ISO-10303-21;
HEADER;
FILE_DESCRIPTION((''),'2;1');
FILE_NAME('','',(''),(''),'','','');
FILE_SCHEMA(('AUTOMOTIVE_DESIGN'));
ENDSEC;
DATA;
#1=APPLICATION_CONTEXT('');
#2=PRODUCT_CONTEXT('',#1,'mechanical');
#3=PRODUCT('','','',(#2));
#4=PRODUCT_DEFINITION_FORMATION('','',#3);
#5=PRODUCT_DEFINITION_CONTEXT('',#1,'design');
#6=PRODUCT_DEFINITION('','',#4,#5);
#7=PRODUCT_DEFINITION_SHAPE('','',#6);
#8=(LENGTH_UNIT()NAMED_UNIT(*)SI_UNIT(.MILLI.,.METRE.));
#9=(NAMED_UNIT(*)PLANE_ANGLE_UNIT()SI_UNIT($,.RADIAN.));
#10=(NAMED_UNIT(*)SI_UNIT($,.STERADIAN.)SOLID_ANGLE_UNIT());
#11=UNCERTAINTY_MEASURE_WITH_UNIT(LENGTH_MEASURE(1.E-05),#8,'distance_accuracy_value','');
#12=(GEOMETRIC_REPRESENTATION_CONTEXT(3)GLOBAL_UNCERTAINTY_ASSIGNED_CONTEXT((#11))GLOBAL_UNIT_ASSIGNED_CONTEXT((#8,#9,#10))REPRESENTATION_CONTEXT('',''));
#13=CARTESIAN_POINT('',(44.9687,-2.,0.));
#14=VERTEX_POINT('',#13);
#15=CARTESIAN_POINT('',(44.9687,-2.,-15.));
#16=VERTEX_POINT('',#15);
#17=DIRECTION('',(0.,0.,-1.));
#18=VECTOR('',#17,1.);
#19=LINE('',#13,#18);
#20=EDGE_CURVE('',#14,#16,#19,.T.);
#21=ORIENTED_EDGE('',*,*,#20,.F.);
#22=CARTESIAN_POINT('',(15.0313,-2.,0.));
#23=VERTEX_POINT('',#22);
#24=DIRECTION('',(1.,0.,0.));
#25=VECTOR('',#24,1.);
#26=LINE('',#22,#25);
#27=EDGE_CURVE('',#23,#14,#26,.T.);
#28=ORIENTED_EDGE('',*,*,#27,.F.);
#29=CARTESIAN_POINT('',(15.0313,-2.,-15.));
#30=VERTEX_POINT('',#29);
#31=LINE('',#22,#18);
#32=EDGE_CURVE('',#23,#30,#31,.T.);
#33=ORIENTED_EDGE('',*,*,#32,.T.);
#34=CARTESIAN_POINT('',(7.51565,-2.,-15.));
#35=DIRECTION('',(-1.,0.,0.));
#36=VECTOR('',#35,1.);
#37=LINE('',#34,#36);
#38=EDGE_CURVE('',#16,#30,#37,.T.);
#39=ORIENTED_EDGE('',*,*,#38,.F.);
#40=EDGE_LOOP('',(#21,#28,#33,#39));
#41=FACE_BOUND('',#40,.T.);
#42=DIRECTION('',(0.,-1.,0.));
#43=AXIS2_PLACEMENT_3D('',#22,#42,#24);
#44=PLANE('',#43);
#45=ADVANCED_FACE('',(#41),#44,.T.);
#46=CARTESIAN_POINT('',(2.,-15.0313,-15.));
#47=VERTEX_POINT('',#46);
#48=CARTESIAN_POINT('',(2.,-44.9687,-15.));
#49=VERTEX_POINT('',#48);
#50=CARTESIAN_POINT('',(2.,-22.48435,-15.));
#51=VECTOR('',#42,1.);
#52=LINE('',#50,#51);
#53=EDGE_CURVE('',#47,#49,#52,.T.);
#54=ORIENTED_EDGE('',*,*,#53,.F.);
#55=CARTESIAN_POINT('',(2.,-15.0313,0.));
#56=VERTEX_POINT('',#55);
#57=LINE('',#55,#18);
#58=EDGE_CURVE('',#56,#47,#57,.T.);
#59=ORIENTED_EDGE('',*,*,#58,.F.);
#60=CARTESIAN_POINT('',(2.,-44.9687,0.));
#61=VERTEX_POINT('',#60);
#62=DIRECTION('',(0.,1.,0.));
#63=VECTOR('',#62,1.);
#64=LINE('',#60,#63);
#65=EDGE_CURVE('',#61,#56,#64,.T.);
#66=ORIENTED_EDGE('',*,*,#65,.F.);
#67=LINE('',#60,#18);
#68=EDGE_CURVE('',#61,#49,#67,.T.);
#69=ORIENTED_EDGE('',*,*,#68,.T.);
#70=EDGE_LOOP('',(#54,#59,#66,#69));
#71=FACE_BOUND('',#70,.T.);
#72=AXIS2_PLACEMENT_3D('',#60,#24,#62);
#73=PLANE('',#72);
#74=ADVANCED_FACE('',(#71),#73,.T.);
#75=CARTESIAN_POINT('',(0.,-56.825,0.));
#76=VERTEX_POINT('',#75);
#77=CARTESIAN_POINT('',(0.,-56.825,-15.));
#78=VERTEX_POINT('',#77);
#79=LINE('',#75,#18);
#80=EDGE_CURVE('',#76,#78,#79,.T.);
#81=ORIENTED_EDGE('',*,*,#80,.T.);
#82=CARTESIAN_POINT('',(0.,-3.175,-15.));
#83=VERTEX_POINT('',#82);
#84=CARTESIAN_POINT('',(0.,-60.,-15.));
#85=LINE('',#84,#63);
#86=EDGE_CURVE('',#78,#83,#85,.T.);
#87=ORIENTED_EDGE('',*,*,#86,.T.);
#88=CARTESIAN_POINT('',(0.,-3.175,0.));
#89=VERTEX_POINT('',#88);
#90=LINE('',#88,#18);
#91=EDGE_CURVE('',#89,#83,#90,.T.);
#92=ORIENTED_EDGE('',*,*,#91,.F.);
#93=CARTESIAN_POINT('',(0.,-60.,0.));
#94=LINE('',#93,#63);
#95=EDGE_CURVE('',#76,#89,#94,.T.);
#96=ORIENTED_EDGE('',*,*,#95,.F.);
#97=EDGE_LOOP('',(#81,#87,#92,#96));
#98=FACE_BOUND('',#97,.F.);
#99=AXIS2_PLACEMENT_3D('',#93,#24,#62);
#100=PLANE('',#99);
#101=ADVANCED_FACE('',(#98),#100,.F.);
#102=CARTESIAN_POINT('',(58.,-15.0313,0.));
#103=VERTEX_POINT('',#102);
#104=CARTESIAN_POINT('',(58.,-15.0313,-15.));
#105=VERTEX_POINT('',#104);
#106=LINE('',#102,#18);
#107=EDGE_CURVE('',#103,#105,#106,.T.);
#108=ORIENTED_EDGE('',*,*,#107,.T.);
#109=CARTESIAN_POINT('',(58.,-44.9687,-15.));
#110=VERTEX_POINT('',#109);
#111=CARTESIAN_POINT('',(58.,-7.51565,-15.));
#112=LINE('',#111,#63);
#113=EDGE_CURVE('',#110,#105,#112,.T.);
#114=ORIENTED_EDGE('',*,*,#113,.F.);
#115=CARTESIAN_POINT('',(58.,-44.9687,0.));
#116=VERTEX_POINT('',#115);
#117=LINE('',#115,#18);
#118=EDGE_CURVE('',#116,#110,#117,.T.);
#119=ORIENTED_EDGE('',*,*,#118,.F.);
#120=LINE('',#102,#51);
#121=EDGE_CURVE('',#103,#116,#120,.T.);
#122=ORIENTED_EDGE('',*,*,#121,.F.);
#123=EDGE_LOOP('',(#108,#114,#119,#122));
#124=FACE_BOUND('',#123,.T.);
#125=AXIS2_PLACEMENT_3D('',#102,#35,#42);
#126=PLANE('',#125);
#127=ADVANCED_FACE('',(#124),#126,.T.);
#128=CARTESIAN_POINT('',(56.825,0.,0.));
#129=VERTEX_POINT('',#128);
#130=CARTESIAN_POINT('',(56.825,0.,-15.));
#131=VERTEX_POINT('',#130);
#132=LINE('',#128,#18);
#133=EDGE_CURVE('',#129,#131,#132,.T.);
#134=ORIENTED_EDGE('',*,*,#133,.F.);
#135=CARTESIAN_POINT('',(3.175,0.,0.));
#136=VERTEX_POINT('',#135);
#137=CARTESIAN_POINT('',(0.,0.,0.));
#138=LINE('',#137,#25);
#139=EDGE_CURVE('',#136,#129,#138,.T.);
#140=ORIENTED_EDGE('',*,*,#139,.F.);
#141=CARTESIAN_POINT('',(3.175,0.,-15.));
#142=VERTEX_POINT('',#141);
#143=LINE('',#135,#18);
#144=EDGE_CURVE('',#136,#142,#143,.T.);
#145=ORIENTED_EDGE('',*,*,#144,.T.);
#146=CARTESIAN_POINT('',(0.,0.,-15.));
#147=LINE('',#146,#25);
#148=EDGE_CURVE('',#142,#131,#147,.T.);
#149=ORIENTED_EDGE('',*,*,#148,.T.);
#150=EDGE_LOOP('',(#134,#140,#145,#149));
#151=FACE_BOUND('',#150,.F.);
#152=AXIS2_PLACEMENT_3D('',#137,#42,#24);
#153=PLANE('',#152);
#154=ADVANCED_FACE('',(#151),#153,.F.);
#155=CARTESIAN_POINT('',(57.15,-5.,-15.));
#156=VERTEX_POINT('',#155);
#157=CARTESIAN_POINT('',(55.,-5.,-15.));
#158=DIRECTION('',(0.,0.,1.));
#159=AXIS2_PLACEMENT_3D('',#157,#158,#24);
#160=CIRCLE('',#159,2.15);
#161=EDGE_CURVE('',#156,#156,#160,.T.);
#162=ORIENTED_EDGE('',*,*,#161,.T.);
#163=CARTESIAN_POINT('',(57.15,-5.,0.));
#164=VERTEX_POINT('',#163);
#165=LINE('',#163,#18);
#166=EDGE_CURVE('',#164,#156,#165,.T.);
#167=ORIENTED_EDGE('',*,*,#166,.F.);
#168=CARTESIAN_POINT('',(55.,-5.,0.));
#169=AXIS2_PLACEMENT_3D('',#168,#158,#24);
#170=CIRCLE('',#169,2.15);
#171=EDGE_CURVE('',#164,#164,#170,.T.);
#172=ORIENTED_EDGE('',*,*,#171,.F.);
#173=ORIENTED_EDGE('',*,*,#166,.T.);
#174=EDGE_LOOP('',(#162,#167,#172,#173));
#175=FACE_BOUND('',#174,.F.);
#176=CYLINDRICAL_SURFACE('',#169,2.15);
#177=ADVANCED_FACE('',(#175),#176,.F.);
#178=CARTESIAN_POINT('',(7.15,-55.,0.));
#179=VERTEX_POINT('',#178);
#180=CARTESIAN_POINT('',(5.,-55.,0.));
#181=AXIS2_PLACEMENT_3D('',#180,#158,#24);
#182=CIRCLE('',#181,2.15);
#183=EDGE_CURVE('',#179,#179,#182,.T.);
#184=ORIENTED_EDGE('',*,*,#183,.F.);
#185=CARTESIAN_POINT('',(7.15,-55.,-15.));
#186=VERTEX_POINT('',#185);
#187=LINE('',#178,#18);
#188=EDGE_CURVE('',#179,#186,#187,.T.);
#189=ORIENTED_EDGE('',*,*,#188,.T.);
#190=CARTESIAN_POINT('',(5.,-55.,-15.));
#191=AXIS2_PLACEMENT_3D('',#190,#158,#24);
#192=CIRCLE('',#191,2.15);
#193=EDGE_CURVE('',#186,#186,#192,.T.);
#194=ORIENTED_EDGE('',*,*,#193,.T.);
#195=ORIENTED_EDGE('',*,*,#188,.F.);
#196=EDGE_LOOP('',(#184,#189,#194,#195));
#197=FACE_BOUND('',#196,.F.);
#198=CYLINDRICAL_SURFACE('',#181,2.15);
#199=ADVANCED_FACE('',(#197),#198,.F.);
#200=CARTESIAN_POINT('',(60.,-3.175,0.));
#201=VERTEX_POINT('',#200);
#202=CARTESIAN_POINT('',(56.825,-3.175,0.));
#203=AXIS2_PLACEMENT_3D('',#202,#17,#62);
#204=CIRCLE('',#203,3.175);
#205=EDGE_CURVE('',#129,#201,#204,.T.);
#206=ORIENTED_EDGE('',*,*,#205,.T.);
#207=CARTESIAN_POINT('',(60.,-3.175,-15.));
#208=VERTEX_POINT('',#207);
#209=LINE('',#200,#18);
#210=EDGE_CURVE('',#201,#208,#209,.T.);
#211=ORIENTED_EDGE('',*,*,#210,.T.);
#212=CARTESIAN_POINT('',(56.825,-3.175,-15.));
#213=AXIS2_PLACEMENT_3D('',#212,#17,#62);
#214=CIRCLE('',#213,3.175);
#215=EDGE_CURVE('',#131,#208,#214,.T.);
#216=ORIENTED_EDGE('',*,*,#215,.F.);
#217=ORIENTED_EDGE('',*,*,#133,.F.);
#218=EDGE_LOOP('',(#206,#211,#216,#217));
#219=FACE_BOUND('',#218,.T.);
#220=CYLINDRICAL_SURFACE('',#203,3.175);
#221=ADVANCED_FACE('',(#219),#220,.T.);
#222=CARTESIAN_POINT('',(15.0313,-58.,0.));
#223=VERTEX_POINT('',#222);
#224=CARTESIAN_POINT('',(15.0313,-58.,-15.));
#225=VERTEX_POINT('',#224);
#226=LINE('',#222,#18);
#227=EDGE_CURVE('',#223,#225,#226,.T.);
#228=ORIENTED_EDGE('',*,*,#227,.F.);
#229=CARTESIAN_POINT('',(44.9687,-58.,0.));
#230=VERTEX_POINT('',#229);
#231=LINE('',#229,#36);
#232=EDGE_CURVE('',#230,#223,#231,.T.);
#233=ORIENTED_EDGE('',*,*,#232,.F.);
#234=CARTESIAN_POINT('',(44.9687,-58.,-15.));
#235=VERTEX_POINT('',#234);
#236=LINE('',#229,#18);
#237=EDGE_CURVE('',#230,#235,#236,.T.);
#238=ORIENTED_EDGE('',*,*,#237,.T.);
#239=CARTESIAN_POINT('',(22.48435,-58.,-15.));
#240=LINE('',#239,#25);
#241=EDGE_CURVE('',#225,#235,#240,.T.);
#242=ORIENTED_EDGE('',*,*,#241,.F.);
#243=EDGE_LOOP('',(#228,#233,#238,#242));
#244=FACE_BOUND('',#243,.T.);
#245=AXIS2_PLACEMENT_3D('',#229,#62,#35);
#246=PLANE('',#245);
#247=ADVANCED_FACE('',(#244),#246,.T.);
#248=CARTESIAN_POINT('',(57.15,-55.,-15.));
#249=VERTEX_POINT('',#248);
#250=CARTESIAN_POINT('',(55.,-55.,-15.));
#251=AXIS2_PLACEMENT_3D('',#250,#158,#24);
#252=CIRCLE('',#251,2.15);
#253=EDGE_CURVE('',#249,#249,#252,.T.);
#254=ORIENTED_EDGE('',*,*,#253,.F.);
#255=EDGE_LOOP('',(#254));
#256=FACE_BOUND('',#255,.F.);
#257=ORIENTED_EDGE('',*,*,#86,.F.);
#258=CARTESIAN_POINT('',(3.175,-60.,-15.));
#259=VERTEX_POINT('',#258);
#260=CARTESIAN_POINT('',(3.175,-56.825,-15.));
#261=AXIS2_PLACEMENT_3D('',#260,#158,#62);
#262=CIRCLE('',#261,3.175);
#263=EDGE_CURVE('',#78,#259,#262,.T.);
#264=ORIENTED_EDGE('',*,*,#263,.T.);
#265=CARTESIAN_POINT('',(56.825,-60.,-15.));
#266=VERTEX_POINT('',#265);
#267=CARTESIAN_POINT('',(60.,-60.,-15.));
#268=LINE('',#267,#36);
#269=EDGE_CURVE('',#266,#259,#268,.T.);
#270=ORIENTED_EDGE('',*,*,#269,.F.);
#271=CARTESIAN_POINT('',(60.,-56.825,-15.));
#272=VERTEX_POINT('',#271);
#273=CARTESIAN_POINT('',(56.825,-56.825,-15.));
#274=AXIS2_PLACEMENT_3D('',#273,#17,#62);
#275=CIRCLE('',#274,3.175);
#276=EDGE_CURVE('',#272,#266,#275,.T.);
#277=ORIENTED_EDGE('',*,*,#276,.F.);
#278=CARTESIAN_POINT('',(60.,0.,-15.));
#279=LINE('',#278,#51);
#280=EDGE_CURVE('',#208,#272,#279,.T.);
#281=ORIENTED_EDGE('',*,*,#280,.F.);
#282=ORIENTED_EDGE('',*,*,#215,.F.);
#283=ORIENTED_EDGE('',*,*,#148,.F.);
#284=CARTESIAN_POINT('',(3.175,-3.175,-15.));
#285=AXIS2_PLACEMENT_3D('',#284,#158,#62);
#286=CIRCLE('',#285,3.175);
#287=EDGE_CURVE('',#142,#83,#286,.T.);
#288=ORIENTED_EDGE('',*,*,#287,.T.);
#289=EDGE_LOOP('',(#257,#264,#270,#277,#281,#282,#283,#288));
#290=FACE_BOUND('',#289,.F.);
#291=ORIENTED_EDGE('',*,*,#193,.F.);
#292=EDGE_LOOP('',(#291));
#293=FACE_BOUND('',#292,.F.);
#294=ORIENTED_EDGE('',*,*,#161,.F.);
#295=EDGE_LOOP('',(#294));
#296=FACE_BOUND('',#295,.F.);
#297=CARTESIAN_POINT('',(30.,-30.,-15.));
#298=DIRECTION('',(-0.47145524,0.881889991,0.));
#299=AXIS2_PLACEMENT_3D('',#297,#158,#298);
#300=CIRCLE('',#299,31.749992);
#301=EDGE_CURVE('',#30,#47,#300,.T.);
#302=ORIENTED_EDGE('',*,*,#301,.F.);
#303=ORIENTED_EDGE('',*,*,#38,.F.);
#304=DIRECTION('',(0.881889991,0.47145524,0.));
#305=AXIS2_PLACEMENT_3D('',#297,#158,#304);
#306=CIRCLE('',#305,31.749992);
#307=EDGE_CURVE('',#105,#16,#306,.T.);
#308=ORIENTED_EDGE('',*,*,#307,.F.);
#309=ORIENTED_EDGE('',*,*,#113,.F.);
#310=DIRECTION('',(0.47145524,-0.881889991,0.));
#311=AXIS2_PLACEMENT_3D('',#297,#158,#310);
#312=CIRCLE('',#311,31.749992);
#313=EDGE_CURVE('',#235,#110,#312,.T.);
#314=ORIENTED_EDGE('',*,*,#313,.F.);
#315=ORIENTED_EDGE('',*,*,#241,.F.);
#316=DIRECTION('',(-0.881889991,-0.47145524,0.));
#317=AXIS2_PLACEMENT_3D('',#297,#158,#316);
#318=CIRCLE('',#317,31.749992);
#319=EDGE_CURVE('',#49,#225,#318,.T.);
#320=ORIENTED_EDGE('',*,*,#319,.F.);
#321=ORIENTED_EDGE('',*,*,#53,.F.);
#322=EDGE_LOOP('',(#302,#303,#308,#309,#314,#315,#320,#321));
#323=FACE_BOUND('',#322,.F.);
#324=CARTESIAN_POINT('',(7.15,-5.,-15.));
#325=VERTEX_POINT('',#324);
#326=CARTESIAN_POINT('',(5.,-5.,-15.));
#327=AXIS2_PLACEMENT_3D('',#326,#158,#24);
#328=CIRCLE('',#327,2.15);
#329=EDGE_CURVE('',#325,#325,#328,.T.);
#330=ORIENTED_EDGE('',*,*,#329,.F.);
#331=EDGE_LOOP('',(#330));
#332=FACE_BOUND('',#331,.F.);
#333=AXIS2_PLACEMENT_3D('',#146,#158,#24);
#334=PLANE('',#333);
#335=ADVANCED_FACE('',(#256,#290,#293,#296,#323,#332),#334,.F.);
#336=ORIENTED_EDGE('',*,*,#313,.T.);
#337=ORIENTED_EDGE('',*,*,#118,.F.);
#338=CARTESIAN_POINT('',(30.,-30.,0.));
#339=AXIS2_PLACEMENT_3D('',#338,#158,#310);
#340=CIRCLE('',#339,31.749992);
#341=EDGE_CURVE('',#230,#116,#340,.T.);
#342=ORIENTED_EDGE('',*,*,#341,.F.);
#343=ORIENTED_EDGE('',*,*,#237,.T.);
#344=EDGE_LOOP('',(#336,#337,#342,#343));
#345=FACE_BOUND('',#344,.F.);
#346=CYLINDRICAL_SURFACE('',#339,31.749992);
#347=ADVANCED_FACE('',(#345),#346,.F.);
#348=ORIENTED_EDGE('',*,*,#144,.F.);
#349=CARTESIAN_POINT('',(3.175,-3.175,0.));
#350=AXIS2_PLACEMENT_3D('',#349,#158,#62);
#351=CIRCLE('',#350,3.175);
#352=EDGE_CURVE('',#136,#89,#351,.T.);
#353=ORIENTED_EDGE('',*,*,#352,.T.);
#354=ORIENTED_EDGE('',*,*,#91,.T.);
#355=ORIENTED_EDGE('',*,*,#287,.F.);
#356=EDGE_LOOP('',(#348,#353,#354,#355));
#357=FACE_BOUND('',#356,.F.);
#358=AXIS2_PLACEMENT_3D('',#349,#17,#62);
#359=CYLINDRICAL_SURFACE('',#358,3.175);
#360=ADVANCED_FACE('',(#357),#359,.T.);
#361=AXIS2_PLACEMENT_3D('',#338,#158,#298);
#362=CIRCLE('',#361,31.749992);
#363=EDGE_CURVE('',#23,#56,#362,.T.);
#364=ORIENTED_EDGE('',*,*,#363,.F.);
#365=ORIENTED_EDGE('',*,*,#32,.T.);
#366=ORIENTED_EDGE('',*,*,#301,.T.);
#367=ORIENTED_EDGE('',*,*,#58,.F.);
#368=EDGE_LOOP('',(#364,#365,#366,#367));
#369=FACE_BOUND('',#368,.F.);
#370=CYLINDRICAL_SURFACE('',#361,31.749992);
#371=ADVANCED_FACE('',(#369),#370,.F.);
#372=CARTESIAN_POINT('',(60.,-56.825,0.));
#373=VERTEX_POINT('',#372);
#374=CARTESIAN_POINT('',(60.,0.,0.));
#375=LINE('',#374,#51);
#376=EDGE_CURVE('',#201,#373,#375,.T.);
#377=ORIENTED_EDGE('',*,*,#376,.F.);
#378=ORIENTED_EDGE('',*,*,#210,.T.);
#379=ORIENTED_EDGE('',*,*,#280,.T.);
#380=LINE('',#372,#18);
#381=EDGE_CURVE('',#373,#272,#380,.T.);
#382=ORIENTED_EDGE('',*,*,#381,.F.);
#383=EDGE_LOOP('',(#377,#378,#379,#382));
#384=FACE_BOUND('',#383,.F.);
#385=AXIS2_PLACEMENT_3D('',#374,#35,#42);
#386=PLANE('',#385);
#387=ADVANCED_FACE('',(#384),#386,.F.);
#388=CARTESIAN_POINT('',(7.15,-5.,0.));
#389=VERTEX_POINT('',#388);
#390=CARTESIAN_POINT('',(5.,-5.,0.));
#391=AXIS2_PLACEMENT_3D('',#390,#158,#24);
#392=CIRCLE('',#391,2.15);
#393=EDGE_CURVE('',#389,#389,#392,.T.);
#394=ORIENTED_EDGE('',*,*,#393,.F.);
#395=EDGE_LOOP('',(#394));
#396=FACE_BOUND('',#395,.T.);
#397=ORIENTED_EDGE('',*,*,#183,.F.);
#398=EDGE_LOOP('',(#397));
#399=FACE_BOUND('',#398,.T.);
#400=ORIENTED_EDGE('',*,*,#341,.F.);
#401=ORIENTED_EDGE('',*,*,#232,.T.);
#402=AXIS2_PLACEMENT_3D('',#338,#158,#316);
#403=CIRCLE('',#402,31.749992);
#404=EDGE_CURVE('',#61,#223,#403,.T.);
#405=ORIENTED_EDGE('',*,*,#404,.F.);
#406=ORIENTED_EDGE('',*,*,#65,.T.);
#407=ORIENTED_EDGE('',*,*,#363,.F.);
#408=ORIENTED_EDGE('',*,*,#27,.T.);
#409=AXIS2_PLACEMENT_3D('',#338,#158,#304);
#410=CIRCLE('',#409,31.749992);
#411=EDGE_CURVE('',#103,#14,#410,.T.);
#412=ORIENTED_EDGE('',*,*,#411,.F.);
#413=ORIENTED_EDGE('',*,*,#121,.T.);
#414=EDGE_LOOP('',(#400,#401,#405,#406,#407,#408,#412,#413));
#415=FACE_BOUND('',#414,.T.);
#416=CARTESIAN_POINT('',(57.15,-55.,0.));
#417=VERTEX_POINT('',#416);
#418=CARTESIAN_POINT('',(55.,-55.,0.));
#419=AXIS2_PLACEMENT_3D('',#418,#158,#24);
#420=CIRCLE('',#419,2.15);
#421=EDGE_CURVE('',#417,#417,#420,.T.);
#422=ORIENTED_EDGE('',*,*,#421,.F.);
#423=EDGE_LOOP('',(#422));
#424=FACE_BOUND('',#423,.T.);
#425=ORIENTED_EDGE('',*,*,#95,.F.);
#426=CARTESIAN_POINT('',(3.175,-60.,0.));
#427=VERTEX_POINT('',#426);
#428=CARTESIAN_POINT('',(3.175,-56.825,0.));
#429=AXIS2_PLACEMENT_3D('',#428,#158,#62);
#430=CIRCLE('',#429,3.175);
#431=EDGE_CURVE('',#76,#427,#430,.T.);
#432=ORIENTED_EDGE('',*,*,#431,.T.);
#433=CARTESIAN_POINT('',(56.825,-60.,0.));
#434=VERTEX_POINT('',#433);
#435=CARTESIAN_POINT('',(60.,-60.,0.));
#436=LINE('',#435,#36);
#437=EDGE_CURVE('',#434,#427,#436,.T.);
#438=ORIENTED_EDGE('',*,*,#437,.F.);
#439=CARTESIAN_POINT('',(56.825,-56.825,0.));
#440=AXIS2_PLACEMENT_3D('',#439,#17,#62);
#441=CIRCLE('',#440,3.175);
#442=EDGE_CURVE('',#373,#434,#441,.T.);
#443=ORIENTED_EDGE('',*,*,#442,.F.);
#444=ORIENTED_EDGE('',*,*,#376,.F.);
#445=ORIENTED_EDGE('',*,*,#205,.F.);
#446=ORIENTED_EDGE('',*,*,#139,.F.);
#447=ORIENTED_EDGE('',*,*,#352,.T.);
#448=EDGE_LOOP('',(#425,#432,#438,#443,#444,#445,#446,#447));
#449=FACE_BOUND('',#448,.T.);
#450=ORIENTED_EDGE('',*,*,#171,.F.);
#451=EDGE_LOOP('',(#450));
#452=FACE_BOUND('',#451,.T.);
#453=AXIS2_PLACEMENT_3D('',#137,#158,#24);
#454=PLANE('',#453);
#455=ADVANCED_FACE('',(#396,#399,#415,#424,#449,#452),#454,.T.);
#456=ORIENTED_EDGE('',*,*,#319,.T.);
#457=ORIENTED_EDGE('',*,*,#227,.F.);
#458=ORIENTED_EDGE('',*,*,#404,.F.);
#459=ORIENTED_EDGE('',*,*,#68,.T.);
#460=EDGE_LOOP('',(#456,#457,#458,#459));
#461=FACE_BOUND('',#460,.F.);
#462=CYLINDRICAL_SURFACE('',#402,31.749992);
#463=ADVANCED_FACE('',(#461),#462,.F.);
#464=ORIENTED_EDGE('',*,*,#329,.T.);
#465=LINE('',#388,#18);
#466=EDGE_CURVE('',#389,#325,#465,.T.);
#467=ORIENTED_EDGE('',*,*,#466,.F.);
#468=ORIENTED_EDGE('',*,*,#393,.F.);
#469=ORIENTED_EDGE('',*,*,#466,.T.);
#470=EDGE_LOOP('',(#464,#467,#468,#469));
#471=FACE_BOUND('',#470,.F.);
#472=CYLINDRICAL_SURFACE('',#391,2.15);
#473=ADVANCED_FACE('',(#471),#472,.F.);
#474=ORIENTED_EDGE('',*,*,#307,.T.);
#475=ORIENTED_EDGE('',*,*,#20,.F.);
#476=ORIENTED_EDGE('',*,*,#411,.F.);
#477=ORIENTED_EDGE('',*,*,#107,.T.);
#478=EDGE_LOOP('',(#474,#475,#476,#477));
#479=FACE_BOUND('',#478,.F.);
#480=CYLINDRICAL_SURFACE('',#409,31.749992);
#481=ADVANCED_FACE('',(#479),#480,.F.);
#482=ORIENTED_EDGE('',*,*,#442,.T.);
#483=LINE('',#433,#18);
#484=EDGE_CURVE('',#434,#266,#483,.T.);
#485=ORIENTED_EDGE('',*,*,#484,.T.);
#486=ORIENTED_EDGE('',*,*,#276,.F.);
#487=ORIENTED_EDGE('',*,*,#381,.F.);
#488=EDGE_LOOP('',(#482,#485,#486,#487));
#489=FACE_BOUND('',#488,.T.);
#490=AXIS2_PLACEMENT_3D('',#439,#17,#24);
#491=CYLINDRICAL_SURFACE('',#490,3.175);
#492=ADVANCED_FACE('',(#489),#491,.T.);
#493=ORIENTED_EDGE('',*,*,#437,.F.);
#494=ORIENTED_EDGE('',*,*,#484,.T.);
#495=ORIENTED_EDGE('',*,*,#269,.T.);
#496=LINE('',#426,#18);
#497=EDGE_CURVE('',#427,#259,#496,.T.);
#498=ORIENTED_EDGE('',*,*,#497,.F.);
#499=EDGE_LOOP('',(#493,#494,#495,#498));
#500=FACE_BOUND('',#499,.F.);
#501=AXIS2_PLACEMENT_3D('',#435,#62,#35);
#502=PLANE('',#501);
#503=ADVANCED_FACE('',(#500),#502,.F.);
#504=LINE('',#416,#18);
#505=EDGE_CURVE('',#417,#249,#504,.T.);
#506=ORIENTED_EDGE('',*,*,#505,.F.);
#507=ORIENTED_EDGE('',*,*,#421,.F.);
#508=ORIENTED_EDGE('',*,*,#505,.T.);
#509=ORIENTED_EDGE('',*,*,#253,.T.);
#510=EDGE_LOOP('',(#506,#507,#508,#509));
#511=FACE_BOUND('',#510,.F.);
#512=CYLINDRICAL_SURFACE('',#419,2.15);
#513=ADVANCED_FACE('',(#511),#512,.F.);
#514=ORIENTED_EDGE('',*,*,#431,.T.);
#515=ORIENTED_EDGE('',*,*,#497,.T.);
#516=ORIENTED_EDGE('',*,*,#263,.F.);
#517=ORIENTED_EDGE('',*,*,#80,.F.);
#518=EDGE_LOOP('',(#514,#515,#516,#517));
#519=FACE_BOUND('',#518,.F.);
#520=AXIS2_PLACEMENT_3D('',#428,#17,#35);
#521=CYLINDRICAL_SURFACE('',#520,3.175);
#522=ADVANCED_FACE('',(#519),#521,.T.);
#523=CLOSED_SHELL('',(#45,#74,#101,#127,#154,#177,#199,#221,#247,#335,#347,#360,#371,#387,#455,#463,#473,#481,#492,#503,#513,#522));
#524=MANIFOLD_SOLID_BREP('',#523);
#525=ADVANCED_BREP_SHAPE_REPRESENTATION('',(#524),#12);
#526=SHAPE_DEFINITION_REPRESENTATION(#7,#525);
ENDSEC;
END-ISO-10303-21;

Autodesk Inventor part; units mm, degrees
ref_plane "YZ Plane" through (0, 0, 0) normal (1, 0, 0) x (0, 1, 0)
ref_plane "XZ Plane" through (0, 0, 0) normal (0, 1, 0) x (-1, 0, 0)
ref_plane "XY Plane" through (0, 0, 0) normal (0, 0, 1) x (1, 0, 0)
sketch "Sketch1" plane through (0, 0, 0) normal (0, 0, 1) x (1, 0, 0)
  line L0 (0, 0) -> (60, 0)
  line L1 (60, 0) -> (60, -60)
  line L2 (60, -60) -> (0, -60)
  line L3 (0, -60) -> (0, 0)
  dimension "d0" = 60
  dimension "d1" = 60
extrude "Extrusion1" add sketch "Sketch1" against normal blind 15
sketch "Sketch2" plane through (0, 0, 0) normal (0, 0, 1) x (1, 0, 0)
  line L0 (0, 0) -> (60, 0) projected
  line L1 (0, -60) -> (0, 0) projected
  line L2 (60, -60) -> (0, -60) projected
  line L3 (60, 0) -> (60, -60) projected
  circle A0 centre (5, -5) radius 2.15
  circle A1 centre (55, -5) radius 2.15
  circle A2 centre (55, -55) radius 2.15
  circle A3 centre (5, -55) radius 2.15
  dimension "d5" = 4.3
  dimension "d6" = 4.3
  dimension "d7" = 4.3
  dimension "d8" = 4.3
  dimension "d9" = 50
  dimension "d10" = 50
  dimension "d11" = 5
  dimension "d12" = 5
extrude "Extrusion2" cut sketch "Sketch2" against normal up to next contours A0 | A1 | A2 | A3
sketch "Sketch3" plane through (0, 0, 0) normal (0, 0, 1) x (1, 0, 0)
  circle A0 centre (55, -55) radius 2.15 projected
  circle A1 centre (5, -5) radius 2.15 projected
  circle A2 centre (55, -5) radius 2.15 projected
  circle A3 centre (5, -55) radius 2.15 projected
  line L0 (0, 0) -> (60, 0) projected
  line L1 (0, -60) -> (0, 0) projected
  line L2 (60, -60) -> (0, -60) projected
  line L3 (60, 0) -> (60, -60) projected
  line L4 (15.0313, -2) -> (44.9687, -2)
  line L5 (2, -44.9687) -> (2, -15.0313)
  line L6 (44.9687, -58) -> (15.0313, -58)
  line L7 (58, -15.0313) -> (58, -44.9687)
  arc A4 (15.0313, -2) -> (2, -15.0313) centre (30, -30) ccw
  arc A5 (2, -44.9687) -> (15.0313, -58) centre (30, -30) ccw
  arc A6 (44.9687, -58) -> (58, -44.9687) centre (30, -30) ccw
  arc A7 (58, -15.0313) -> (44.9687, -2) centre (30, -30) ccw
  dimension "d23" = 360
  dimension "d16" = 60
  dimension "d17" = 30
  dimension "d18" = 30
  dimension "d20" = 2
extrude "Extrusion3" cut sketch "Sketch3" against normal up to next contours L4 A7 L7 A6 L6 A5 L5 A4
fillet "Fillet2" radius 3.175 4 edges at (0, 0, -7.5) (0, -60, -7.5) (60, -60, -7.5) (60, 0, -7.5)
equation "\"d1\" = d0"
equation "\"d6\" = d5"
equation "\"d7\" = d5"
equation "\"d8\" = d5"
equation "\"d10\" = d9"
equation "\"d12\" = d11"
equation "\"d17\" = 0.5 * d16"
equation "\"d18\" = d17"
properties part number "60mm Fan Footprint" material "ABS Plastic"
